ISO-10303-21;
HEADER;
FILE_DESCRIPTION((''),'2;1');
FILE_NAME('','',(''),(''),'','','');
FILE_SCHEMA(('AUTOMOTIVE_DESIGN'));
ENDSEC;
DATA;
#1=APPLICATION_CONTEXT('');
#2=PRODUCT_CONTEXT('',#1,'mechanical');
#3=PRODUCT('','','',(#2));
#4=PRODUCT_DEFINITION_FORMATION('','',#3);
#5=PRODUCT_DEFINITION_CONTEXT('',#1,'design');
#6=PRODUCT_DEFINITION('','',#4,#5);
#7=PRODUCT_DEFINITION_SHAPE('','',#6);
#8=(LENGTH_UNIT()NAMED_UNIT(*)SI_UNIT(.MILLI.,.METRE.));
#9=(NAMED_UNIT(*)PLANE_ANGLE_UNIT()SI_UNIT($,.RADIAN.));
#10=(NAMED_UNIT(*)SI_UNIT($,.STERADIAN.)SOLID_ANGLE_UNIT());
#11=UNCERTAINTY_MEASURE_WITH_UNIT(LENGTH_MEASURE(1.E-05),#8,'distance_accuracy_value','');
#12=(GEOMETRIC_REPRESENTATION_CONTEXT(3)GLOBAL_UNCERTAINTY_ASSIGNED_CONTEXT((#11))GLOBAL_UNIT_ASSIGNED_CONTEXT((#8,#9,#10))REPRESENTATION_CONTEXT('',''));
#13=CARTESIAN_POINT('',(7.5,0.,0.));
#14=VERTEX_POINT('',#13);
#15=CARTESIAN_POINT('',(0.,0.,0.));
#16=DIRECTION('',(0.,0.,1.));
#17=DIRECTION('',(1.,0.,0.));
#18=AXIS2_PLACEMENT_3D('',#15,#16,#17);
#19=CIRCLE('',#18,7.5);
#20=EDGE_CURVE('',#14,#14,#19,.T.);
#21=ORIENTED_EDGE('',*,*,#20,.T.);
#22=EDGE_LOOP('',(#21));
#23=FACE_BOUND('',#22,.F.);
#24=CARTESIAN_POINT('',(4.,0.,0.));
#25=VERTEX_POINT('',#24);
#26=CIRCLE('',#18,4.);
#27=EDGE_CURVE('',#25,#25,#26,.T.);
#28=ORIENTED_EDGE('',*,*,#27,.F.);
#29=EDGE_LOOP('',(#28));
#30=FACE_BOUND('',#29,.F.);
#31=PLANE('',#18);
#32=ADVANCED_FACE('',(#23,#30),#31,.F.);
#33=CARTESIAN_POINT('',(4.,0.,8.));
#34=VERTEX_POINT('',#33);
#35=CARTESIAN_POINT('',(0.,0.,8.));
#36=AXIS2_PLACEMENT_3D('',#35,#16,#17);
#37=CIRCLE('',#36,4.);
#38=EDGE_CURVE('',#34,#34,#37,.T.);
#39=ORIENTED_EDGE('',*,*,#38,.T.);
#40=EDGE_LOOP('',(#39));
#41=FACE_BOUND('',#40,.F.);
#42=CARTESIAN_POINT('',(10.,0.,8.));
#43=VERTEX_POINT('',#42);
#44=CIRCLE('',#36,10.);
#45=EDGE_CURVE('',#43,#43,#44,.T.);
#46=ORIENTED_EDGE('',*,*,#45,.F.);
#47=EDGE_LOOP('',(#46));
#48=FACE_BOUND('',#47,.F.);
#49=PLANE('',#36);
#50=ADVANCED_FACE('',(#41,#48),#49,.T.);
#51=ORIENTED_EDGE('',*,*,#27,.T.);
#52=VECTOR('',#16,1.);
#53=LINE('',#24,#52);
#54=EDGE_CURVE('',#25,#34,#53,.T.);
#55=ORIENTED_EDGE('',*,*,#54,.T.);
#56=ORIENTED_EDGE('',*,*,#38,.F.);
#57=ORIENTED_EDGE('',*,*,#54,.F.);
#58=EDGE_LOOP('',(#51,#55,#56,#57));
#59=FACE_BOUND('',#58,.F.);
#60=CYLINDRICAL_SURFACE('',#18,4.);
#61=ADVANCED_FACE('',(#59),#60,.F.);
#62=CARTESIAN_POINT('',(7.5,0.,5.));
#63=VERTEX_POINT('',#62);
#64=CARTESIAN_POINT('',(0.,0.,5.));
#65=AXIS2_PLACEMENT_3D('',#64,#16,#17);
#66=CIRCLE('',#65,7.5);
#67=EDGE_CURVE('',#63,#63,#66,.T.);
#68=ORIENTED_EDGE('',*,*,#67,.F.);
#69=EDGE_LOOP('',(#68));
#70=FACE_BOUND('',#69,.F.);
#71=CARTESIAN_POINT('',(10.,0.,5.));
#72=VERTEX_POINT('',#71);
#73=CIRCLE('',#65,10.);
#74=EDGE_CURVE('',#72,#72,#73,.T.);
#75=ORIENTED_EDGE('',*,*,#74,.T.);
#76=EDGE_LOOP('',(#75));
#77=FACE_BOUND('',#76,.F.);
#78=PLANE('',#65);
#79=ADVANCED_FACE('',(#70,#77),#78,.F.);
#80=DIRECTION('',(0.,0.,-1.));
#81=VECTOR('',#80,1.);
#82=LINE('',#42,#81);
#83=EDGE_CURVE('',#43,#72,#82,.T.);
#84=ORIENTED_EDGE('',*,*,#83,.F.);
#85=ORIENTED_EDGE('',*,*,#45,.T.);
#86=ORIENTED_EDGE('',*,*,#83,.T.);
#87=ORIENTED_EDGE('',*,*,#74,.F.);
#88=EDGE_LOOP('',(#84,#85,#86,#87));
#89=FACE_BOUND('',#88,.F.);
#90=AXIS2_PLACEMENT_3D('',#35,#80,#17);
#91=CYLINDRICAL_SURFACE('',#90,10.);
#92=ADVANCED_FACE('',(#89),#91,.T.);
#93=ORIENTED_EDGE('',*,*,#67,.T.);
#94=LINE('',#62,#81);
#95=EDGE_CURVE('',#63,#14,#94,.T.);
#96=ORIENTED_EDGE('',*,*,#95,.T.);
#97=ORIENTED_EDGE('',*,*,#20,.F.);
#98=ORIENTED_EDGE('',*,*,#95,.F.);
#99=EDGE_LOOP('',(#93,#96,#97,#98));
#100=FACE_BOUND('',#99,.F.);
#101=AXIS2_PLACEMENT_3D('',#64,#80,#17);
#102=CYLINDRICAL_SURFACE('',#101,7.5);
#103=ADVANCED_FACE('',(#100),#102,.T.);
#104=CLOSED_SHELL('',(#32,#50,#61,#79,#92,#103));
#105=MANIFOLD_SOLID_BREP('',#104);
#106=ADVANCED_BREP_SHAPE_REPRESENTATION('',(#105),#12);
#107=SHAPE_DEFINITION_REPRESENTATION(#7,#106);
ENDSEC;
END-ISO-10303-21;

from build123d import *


with BuildPart() as part:
    # Sketch → Revolution (revolve)
    with BuildSketch(Plane.XZ):
        Polygon((4, 0), (4, 8), (10, 8), (10, 5), (7.5, 5), (7.5, 0), align=None)
    revolve(axis=Axis((0, 0, 0), (0, 0, 1)))


solid = part.part
